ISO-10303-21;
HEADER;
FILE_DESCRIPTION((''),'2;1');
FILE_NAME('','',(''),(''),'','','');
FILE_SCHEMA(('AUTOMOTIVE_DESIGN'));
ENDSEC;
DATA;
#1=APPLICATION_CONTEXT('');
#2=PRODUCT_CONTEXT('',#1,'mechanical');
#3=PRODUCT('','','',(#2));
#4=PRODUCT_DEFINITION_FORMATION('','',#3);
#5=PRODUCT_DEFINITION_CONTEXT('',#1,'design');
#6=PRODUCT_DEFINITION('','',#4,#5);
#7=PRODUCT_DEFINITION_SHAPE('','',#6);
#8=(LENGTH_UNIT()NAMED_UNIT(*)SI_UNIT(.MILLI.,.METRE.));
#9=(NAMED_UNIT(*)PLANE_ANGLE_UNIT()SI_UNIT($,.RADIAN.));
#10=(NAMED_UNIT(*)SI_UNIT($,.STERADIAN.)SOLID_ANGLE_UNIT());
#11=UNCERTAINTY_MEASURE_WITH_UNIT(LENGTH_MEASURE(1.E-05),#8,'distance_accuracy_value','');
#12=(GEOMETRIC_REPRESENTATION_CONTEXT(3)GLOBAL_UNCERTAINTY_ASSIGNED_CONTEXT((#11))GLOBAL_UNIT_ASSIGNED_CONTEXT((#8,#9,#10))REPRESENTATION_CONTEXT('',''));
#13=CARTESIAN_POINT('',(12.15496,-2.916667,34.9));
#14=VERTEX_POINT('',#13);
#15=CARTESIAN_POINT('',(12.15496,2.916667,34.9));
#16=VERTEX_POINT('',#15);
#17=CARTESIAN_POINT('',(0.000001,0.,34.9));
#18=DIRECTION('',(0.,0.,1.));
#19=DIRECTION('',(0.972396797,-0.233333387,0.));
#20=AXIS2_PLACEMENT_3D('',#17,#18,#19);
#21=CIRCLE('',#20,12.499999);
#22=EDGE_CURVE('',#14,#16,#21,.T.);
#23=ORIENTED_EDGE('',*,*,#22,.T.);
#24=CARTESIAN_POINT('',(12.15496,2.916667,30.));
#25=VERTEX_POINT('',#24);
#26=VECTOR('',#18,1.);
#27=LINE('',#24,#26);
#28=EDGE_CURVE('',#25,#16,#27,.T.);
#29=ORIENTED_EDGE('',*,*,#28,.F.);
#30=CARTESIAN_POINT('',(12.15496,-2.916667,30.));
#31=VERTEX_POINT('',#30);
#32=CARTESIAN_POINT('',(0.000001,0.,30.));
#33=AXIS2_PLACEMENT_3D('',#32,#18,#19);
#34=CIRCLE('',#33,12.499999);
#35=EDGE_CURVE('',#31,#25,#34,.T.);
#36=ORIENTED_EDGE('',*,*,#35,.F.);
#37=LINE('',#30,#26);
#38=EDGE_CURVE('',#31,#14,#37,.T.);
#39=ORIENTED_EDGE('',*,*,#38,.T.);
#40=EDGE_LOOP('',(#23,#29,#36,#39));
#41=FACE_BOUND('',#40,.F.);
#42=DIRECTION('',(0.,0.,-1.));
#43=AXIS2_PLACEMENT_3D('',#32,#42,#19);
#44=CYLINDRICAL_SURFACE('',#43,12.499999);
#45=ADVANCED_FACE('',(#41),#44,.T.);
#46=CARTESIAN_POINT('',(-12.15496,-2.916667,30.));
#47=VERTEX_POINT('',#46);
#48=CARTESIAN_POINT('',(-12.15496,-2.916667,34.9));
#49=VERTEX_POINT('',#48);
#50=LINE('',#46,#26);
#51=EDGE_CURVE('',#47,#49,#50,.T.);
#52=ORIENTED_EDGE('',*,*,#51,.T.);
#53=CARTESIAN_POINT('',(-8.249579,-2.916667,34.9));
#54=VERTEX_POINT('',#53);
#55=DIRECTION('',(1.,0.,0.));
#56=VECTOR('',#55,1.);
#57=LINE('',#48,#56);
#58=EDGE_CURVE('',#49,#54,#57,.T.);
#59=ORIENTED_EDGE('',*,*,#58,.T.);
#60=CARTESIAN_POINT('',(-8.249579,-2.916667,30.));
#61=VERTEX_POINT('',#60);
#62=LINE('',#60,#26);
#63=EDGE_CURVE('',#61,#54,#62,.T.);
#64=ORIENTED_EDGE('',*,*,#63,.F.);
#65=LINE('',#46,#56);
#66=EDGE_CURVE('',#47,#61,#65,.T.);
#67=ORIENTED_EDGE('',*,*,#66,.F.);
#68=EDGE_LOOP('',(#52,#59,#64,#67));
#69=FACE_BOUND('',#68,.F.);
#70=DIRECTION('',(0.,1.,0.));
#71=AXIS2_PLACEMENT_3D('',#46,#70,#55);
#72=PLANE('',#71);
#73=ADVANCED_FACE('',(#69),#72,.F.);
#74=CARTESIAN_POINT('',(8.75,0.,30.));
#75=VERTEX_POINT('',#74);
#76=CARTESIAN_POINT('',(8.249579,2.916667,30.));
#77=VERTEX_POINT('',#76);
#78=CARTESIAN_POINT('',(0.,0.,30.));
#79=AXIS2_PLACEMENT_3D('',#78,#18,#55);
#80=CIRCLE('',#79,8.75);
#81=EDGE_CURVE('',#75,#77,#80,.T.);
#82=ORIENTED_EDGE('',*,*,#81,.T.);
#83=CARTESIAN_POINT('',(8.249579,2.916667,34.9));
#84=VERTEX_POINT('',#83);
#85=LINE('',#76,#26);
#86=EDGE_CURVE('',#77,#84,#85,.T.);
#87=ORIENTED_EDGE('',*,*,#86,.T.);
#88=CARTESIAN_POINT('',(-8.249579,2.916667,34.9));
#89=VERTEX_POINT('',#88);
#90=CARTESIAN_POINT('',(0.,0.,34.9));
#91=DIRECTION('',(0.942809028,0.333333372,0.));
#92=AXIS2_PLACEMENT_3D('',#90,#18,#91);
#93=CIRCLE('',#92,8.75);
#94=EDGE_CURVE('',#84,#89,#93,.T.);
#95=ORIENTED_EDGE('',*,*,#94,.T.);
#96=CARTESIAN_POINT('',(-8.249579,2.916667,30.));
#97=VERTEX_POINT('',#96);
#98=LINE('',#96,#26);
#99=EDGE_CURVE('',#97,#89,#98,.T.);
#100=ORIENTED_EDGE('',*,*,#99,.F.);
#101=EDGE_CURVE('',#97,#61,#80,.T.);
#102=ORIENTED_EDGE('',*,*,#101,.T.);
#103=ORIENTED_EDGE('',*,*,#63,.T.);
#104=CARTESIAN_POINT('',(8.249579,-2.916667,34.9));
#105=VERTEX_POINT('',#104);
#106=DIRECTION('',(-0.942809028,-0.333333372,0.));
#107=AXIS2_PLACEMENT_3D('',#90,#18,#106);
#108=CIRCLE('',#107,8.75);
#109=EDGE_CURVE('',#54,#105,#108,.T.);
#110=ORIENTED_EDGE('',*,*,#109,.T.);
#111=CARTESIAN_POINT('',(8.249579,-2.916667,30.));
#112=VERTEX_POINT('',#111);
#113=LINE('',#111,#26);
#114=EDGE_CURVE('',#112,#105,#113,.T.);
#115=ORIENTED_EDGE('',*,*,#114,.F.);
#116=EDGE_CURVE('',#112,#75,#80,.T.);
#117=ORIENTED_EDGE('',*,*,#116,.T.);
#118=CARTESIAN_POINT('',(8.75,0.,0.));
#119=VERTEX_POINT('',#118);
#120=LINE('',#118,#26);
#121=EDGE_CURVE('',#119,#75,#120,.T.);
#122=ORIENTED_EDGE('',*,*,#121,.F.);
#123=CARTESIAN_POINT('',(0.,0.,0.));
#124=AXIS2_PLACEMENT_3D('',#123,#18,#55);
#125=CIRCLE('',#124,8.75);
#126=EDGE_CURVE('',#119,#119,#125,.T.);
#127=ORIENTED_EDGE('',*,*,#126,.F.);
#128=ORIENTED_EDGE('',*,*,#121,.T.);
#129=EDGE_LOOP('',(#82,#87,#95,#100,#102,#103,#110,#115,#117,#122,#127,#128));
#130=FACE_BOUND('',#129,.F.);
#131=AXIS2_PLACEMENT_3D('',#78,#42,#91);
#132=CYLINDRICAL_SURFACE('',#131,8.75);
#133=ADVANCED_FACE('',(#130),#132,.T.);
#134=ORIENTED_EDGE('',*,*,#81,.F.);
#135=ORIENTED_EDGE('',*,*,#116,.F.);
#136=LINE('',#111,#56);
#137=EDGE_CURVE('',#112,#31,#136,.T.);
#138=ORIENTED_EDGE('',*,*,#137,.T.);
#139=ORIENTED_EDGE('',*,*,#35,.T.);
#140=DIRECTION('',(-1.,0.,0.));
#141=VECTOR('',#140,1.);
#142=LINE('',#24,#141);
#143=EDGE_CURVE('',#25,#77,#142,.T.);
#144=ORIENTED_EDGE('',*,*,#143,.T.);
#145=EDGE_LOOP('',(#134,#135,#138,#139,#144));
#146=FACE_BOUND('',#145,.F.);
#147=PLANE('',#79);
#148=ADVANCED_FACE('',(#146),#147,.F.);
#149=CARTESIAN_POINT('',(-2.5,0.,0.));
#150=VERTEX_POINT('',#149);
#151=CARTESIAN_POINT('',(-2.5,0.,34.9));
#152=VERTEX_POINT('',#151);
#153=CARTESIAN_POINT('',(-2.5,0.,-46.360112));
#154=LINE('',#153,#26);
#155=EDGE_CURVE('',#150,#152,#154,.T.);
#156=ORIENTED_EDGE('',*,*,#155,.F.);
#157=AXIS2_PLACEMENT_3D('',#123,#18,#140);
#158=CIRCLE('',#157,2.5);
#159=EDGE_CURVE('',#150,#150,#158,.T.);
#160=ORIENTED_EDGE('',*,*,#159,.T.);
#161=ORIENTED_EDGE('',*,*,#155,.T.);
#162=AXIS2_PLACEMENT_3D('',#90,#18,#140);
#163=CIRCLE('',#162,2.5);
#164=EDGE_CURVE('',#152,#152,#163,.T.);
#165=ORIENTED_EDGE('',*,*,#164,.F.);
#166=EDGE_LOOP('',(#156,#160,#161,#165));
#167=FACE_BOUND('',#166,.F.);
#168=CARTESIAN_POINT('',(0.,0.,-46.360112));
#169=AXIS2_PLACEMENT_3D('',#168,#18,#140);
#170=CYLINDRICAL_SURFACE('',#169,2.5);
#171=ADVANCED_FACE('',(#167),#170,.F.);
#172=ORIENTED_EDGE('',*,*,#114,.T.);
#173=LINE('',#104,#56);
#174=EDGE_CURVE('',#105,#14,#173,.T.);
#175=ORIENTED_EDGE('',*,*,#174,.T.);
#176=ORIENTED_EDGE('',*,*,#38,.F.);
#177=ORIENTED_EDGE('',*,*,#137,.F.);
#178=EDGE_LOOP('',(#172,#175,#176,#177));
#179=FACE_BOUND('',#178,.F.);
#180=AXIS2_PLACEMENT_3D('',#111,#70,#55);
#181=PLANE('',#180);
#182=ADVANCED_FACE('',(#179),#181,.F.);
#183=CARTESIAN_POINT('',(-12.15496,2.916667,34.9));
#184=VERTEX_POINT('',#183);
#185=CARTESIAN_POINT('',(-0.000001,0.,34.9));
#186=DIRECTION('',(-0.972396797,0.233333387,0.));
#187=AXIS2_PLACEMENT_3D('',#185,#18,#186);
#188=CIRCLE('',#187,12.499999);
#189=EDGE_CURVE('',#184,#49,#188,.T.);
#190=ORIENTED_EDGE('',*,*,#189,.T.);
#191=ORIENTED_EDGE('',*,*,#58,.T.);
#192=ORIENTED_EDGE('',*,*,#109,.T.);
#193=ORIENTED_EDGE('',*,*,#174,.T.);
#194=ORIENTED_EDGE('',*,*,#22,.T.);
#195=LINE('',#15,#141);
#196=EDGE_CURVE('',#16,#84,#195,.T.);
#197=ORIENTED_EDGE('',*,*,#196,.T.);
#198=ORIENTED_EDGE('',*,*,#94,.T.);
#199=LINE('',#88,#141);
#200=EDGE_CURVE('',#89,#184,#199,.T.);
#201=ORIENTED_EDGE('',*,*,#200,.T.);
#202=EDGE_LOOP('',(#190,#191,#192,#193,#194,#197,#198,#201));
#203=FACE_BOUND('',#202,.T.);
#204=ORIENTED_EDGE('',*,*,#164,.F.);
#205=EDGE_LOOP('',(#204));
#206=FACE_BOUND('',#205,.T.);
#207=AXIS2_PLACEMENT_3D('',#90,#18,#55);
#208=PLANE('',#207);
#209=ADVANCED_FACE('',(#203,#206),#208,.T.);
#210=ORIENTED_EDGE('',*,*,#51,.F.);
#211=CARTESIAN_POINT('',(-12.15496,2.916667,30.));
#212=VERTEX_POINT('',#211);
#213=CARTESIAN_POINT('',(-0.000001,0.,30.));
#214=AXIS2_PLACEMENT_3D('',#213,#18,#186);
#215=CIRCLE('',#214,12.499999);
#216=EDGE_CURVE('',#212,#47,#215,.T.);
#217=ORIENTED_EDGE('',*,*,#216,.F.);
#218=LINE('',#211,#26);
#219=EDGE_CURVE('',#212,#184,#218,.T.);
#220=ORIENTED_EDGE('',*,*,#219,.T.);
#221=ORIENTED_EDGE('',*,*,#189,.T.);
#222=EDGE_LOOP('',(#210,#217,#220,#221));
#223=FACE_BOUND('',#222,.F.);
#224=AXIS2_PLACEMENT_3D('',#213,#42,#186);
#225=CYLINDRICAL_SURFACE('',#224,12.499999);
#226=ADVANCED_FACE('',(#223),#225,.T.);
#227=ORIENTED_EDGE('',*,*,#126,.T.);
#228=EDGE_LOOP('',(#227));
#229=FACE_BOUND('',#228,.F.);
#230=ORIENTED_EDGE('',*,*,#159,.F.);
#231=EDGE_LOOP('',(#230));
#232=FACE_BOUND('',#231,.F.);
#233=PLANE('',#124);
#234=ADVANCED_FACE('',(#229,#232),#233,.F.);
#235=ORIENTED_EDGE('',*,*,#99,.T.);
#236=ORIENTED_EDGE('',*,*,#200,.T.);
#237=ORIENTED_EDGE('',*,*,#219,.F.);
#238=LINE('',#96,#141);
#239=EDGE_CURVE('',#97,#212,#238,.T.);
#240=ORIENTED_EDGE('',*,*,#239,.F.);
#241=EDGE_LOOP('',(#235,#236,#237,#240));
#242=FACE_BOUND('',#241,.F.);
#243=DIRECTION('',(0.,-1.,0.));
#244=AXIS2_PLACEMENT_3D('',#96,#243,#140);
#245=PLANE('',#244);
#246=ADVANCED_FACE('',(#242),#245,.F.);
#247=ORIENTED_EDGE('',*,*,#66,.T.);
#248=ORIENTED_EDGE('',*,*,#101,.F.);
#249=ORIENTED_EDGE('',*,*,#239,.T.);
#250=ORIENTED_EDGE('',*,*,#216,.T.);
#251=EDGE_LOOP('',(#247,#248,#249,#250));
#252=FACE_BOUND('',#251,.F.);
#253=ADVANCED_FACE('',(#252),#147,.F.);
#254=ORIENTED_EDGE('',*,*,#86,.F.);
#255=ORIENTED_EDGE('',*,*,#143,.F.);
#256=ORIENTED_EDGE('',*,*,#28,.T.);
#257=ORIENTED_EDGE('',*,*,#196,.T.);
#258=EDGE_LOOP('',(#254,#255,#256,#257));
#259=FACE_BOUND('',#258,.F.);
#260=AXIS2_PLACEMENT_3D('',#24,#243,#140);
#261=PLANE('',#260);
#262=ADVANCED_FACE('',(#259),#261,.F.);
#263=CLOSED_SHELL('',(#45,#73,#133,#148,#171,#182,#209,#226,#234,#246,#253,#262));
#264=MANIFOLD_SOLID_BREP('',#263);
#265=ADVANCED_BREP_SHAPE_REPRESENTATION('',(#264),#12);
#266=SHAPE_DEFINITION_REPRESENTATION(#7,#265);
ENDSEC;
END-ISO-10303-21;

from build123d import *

# Parameters (mm, degrees)
F0_R     = 8.75
F1_DEPTH = 30
F3_DEPTH = 4.9
F5_D     = 5


with BuildPart() as f1:
    # F0 (on Top) → F1 (new body)
    with BuildSketch(Plane.XY):
        Circle(F0_R)
    extrude(amount=F1_DEPTH)

    # F2 (on face) → F3 (join)
    with BuildSketch(Plane.XY.offset(30)):
        with BuildLine():
            ThreePointArc((8.249579, 2.916667), (0, 8.75), (-8.249579, 2.916667))
            Line((-8.249579, 2.916667), (-12.15496, 2.916667))
            ThreePointArc((-12.15496, 2.916667), (-12.5, 0), (-12.15496, -2.916667))
            Line((-12.15496, -2.916667), (-8.249579, -2.916667))
            ThreePointArc((-8.249579, -2.916667), (0, -8.75), (8.249579, -2.916667))
            Line((8.249579, -2.916667), (12.15496, -2.916667))
            ThreePointArc((12.15496, -2.916667), (12.5, 0), (12.15496, 2.916667))
            Line((12.15496, 2.916667), (8.249579, 2.916667))
        make_face()
    extrude(amount=F3_DEPTH)

    # F5 (through all)
    with Locations(Plane(origin=(0, 0, 0), x_dir=(1, 0, 0), z_dir=(0, 0, -1))):
        with Locations((0, 0)):
            Hole(F5_D / 2)


solid = f1.part
